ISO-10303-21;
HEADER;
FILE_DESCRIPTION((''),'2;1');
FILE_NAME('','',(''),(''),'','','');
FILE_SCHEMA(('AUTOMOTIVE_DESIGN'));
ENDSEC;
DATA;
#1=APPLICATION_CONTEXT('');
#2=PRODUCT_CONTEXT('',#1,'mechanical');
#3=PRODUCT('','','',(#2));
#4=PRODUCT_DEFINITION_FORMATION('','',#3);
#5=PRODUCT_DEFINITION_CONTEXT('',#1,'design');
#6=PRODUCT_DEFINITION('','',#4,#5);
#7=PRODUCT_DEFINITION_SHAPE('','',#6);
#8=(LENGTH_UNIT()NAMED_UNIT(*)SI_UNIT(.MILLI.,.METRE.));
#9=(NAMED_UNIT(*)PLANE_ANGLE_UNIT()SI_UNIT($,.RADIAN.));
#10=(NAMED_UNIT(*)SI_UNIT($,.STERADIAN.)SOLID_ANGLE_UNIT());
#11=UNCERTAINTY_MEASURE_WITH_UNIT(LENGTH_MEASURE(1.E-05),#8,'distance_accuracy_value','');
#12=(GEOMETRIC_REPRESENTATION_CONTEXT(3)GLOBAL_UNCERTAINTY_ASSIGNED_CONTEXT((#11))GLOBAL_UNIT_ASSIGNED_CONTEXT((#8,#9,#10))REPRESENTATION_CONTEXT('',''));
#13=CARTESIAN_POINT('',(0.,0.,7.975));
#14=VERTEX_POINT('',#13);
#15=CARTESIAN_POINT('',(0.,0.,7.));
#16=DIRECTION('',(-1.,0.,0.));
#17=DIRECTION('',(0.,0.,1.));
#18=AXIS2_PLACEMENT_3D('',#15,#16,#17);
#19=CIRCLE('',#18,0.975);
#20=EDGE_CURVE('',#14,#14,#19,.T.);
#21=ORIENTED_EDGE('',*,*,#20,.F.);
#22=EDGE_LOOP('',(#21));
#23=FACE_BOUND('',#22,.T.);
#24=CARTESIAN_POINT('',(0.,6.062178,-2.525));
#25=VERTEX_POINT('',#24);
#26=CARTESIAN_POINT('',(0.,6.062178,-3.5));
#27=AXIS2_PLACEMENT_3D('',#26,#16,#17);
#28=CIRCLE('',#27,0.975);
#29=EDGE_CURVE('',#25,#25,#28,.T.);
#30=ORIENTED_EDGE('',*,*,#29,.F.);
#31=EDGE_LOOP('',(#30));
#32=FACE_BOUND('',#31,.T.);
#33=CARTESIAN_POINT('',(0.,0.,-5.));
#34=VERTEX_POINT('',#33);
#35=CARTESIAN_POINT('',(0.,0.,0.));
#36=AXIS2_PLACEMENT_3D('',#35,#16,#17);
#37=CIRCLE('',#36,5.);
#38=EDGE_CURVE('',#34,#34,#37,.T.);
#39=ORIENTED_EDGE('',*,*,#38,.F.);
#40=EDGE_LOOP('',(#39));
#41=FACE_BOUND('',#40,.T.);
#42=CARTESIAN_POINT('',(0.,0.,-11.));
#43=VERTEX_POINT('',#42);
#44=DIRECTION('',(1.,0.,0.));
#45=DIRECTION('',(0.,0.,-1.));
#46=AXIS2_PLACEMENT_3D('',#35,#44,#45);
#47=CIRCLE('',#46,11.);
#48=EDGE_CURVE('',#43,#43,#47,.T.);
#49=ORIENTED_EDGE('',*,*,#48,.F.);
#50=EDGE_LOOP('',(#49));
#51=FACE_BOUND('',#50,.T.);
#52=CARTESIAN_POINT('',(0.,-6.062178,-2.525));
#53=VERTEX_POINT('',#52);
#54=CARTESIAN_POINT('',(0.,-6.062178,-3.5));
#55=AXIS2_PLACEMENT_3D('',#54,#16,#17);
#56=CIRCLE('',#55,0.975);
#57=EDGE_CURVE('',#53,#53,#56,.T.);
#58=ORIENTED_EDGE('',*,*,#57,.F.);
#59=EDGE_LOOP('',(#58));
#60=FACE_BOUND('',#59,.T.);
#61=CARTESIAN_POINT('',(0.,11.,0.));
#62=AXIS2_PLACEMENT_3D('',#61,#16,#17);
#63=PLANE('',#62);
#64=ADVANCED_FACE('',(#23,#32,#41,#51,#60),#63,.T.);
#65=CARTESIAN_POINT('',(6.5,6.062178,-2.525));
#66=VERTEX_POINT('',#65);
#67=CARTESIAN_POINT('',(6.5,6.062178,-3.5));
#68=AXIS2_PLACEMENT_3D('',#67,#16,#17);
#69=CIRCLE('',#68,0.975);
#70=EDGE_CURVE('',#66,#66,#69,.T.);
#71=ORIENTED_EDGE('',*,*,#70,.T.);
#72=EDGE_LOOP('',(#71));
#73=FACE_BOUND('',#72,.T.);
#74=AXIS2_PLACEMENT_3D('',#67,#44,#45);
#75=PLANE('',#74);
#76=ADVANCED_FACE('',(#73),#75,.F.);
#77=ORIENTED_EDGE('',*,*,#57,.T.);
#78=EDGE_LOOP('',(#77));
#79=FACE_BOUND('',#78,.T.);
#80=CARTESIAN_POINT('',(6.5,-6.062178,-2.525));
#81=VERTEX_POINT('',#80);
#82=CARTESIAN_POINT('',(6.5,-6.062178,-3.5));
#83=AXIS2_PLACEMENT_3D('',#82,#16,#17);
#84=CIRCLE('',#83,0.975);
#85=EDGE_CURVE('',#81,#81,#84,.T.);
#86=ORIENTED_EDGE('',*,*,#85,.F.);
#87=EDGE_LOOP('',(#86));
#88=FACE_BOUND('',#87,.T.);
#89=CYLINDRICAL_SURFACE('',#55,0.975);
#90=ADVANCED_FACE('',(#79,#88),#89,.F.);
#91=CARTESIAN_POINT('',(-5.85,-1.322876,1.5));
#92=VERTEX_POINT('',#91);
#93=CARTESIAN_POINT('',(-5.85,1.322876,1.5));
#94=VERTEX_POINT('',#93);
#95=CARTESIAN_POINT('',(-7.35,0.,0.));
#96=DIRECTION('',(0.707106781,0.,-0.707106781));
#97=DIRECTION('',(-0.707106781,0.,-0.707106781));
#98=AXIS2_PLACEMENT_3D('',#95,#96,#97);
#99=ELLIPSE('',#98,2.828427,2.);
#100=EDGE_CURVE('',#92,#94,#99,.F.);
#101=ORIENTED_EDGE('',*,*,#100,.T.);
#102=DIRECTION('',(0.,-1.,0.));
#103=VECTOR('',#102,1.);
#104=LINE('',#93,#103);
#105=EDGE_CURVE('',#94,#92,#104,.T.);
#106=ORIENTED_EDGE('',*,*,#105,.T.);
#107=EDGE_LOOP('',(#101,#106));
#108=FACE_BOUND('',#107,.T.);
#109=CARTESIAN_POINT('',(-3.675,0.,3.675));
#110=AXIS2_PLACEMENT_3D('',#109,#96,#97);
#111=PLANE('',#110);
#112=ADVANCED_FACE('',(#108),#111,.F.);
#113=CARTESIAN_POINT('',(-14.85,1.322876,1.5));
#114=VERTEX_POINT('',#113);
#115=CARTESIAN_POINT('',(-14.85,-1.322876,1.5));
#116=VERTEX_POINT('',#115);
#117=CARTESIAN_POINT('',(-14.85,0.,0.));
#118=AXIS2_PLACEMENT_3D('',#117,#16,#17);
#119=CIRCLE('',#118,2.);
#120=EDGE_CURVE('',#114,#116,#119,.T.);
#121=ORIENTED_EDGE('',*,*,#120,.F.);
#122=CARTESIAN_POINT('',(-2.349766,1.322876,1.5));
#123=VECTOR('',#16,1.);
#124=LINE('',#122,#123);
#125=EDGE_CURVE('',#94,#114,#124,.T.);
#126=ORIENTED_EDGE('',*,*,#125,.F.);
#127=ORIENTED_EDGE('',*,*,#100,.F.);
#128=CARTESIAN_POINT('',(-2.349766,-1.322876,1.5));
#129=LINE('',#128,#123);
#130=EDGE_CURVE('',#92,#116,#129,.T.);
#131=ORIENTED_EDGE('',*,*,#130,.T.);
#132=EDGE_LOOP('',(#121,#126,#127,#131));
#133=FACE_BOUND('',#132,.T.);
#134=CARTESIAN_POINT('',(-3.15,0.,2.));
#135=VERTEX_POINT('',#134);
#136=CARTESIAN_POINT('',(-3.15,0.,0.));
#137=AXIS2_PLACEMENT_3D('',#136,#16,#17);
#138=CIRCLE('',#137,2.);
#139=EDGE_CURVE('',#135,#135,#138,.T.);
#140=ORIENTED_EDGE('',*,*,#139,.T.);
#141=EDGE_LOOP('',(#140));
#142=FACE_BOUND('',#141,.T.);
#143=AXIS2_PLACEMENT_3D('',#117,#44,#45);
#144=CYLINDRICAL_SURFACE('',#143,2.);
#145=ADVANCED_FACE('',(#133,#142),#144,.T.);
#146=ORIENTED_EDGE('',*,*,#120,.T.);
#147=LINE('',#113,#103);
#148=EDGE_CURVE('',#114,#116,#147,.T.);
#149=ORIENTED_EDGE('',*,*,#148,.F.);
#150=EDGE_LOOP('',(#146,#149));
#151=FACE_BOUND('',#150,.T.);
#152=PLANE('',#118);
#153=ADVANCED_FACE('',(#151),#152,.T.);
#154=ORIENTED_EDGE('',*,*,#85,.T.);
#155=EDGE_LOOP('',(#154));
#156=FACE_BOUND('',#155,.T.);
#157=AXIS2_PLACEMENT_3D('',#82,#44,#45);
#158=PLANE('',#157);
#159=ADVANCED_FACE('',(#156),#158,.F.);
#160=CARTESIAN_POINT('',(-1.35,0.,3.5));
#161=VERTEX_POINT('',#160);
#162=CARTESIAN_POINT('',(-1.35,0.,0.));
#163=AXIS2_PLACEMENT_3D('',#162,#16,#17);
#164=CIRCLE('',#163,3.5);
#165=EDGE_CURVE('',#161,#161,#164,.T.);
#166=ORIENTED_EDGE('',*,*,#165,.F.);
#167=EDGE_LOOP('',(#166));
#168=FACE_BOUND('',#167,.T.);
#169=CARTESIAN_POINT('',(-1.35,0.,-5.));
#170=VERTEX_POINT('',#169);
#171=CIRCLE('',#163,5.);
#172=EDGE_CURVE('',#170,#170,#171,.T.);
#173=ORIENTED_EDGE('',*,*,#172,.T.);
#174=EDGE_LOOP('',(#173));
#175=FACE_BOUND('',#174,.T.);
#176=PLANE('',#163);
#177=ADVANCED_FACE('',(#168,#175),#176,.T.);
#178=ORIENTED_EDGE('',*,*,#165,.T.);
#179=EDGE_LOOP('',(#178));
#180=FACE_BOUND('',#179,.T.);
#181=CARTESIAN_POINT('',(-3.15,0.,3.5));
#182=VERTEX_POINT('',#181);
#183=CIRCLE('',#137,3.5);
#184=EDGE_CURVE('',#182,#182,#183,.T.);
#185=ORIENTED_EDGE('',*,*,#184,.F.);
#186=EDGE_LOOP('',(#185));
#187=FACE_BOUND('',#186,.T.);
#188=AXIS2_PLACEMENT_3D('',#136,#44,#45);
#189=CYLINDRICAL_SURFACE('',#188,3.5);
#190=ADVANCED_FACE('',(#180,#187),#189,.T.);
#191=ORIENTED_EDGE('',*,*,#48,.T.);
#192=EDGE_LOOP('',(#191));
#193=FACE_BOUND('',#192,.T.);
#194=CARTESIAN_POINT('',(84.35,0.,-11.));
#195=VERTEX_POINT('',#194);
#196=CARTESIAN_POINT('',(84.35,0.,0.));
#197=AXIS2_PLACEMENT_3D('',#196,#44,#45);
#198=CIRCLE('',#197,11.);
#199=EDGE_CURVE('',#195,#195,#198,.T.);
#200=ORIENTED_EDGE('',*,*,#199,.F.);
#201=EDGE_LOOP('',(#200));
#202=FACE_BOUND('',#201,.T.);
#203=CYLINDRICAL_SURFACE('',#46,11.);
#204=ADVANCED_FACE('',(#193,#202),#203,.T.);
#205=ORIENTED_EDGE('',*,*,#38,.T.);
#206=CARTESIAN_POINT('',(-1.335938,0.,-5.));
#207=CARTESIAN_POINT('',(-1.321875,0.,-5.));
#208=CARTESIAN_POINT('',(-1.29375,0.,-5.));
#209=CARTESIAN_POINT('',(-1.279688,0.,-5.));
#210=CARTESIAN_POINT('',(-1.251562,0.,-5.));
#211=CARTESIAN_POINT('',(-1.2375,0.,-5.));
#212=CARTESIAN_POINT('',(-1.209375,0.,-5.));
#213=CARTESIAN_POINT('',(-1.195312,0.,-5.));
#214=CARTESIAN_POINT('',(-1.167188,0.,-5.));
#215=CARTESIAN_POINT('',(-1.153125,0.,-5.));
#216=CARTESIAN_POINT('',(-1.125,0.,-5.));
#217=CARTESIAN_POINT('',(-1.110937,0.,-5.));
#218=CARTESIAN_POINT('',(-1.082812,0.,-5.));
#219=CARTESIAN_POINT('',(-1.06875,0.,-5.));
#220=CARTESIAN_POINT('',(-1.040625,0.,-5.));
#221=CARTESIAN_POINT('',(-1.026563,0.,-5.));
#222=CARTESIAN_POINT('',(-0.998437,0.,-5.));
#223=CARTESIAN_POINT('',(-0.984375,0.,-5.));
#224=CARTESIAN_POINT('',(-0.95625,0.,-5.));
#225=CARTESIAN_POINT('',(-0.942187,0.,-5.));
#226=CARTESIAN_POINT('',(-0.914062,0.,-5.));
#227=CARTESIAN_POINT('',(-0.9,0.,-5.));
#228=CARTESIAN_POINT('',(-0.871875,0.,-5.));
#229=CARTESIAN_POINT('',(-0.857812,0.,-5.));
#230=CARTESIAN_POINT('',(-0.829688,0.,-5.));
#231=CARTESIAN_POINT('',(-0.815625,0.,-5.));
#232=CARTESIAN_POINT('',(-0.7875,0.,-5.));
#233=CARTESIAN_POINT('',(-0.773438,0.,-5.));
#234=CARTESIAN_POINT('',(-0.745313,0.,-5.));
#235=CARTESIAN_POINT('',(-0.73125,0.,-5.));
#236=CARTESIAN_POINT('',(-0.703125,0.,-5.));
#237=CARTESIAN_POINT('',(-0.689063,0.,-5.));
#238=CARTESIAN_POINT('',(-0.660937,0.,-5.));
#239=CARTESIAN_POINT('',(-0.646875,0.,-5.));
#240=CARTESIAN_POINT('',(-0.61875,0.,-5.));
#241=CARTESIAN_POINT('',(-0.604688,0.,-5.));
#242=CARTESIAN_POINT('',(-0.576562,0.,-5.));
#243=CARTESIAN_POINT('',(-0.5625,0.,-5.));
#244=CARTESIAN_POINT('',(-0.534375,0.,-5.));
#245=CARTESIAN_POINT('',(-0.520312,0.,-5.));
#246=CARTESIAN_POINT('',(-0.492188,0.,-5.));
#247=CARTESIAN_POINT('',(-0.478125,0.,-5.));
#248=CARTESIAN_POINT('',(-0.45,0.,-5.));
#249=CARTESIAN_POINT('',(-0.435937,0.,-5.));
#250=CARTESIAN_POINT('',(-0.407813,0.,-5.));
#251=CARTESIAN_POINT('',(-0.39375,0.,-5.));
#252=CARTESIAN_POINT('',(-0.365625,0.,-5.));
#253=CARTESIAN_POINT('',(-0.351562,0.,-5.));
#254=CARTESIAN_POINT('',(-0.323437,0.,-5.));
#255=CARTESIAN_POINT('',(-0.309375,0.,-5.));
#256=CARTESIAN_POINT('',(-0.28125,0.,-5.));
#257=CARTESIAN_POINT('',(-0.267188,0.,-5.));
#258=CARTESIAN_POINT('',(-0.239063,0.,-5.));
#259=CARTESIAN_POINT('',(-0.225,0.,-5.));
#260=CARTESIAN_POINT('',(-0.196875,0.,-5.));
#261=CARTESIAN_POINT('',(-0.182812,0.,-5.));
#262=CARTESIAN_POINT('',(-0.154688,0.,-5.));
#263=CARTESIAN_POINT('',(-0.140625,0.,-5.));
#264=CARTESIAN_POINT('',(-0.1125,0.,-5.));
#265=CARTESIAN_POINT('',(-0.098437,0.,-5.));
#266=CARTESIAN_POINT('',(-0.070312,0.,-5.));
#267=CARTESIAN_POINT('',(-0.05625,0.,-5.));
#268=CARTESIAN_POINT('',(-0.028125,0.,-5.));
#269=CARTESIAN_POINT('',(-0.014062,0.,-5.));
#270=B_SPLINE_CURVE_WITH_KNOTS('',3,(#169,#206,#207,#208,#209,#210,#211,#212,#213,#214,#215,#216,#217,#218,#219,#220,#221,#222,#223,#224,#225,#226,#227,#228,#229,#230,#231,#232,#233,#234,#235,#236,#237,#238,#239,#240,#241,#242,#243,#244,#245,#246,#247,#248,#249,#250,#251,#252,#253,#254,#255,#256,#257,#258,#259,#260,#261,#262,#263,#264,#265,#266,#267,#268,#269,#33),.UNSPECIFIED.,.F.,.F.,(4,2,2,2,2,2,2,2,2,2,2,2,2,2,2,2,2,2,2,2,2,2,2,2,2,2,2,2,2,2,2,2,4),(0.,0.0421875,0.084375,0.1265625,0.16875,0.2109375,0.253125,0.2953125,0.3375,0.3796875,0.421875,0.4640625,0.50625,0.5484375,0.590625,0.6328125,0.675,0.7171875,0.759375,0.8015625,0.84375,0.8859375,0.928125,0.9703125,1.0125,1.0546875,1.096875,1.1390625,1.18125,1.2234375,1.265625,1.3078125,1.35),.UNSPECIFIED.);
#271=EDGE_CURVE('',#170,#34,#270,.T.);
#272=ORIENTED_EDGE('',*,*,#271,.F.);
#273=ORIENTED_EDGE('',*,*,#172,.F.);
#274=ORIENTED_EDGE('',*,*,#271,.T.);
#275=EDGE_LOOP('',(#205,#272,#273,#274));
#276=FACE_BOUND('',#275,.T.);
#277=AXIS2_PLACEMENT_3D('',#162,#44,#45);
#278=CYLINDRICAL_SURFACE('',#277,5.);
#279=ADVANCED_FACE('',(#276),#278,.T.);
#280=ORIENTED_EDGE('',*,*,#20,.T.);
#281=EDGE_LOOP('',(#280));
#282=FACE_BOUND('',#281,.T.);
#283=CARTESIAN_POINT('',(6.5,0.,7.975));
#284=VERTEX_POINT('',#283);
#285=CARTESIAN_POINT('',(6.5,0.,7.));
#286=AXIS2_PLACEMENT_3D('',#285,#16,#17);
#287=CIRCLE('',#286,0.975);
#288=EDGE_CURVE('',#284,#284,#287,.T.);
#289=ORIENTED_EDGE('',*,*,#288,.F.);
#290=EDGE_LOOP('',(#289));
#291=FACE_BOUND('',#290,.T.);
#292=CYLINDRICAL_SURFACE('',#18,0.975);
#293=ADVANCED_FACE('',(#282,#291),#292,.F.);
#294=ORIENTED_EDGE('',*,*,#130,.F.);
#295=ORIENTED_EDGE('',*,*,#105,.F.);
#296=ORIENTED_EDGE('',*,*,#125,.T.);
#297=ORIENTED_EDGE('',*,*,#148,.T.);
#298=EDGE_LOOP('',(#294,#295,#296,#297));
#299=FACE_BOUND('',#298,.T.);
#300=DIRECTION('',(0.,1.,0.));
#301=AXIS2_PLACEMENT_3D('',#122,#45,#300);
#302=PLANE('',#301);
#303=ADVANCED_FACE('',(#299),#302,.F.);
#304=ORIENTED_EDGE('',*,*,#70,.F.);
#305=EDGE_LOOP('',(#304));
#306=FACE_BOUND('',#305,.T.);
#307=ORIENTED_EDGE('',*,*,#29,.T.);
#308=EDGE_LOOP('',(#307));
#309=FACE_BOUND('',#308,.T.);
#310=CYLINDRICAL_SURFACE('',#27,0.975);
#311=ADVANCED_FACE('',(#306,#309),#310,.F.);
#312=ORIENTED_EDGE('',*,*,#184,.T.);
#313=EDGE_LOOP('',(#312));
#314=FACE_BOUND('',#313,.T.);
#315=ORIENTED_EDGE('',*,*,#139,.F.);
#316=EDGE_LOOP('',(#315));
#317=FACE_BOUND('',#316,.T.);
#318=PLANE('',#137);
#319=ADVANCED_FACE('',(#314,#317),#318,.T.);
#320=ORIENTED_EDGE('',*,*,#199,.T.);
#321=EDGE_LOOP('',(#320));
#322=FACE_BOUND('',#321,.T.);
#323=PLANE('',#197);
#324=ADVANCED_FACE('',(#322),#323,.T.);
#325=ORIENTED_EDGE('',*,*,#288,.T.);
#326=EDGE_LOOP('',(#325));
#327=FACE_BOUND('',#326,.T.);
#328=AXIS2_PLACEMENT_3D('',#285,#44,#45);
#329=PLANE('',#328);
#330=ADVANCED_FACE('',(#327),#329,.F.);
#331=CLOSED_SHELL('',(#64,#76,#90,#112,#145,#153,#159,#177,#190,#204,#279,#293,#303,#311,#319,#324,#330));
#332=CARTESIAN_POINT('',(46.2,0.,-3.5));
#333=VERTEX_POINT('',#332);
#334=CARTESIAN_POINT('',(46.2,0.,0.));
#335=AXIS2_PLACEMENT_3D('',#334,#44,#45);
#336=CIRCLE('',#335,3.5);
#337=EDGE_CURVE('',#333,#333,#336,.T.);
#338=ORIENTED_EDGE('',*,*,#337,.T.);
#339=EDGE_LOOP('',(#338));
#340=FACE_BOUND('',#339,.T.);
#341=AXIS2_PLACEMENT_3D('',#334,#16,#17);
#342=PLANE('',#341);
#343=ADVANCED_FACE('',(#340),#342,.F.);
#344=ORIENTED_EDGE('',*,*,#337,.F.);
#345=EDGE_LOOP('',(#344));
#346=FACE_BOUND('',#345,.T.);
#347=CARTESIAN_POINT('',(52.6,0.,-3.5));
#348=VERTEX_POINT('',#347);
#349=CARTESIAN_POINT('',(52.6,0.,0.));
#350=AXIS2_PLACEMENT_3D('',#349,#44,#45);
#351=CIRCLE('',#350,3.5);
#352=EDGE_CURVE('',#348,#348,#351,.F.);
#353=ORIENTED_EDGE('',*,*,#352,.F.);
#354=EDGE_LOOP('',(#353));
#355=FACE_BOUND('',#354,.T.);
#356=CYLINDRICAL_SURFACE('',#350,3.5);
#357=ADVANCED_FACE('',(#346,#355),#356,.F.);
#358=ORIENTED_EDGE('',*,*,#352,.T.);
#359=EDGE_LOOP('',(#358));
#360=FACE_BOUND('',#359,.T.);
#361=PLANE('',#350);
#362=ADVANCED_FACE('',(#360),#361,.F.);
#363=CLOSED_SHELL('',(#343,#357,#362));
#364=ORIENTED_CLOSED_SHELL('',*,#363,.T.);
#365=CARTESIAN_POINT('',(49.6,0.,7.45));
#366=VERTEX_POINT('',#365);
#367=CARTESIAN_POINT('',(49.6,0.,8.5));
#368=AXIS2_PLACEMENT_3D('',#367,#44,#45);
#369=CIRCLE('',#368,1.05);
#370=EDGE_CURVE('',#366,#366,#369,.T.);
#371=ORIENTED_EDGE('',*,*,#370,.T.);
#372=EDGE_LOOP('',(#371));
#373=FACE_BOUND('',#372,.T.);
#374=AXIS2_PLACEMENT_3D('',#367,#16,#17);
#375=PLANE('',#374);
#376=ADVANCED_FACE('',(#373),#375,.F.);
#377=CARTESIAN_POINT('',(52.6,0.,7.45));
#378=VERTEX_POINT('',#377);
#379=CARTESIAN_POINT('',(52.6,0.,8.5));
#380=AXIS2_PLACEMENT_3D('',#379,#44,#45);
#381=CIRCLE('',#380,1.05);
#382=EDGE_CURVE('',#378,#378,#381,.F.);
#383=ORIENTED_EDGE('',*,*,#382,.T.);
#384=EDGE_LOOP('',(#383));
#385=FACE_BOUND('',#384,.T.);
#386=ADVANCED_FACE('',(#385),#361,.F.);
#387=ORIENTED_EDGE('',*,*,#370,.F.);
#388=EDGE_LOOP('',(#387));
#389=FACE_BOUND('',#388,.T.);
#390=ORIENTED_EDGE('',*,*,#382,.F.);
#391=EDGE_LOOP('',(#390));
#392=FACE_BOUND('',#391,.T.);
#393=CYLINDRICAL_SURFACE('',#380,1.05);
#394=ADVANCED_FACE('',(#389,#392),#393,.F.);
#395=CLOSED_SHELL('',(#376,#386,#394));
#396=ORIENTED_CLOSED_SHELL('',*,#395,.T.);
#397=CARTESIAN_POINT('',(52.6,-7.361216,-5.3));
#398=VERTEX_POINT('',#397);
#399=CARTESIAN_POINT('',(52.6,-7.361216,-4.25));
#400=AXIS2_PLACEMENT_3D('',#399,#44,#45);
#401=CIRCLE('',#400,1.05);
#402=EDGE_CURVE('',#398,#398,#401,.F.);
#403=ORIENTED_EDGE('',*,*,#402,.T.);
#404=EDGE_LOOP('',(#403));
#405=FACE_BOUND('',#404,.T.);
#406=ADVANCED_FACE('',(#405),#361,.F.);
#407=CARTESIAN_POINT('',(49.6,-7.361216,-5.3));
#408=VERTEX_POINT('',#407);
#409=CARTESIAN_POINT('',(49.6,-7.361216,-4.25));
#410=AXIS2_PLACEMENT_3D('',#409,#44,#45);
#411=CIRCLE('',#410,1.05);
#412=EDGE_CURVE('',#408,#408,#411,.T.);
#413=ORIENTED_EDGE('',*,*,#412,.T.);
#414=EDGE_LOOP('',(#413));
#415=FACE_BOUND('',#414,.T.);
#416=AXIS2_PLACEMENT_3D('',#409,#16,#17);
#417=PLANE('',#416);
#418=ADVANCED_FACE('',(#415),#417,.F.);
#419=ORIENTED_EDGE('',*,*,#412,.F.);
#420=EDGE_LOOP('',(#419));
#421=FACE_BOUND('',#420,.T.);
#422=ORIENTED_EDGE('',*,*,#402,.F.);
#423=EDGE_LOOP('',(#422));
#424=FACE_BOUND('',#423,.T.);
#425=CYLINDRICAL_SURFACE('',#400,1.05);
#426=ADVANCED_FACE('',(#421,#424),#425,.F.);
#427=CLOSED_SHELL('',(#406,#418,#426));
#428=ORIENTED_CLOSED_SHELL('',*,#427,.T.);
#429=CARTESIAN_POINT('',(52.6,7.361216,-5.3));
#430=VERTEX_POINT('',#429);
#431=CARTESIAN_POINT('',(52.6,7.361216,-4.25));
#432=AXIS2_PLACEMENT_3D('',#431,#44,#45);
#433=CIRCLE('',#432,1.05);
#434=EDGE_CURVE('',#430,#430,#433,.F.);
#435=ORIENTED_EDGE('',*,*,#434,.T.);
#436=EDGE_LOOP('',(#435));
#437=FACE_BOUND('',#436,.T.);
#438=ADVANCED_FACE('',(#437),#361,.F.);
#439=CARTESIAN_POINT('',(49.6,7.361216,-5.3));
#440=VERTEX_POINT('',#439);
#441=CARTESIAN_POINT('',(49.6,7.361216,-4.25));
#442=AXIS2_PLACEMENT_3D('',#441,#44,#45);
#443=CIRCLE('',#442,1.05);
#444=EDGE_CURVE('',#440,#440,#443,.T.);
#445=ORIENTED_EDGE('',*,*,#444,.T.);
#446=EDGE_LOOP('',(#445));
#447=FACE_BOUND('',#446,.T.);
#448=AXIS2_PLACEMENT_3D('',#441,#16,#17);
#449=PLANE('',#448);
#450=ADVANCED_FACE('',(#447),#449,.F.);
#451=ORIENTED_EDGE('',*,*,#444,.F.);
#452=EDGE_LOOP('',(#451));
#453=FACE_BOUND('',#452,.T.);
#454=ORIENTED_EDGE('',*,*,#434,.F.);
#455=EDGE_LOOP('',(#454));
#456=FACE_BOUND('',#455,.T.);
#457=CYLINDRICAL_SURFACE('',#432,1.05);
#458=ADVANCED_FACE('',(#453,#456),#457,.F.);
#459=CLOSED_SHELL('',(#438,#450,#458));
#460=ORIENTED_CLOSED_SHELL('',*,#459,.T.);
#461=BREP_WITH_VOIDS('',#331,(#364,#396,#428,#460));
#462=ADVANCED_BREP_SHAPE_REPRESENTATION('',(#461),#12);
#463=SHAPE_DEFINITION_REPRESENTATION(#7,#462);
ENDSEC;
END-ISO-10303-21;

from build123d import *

# Parameters (mm, degrees)
SKETCH1_W           = 52.6
SKETCH1_H           = 11
SKETCH2_R           = 5
BOSS_EXTRUDE1_DEPTH = 1.35
SKETCH3_R           = 3.5
BOSS_EXTRUDE2_DEPTH = 1.8
SKETCH4_R           = 2
BOSS_EXTRUDE3_DEPTH = 11.7
CUT_EXTRUDE1_REACH  = 71.221
HOLE1_D             = 1.95
HOLE1_DEPTH         = 6.5
HOLE2_D             = 1.95
HOLE2_DEPTH         = 6.5
HOLE3_D             = 1.95
HOLE3_DEPTH         = 6.5
HOLE4_D             = 7
HOLE4_DEPTH         = 6.4
HOLE5_D             = 2.1
HOLE5_DEPTH         = 3
HOLE6_D             = 2.1
HOLE6_DEPTH         = 3
HOLE7_D             = 2.1
HOLE7_DEPTH         = 3
SKETCH25_R          = 11
BOSS_EXTRUDE4_DEPTH = 31.75


with BuildPart() as part:
    # Sketch1 → Revolve1 (revolve)
    with BuildSketch(Plane.XY, mode=Mode.PRIVATE) as revolve1_sk:
        with Locations((26.3, 5.5)):
            Rectangle(SKETCH1_W, SKETCH1_H)
    revolve(revolve1_sk.sketch.rotate(Axis((0, 0, 0), (1, 0, 0)), 270), axis=Axis((0, 0, 0), (1, 0, 0)))

    # Sketch2 → Boss-Extrude1 (add)
    with BuildSketch(Plane.ZY):
        with Locations(Location((0, 0, 0), (0, 0, 180))):
            Circle(SKETCH2_R)
    extrude(amount=BOSS_EXTRUDE1_DEPTH)

    # Sketch3 → Boss-Extrude2 (add)
    with BuildSketch(Plane.ZY.offset(1.35)):
        Circle(SKETCH3_R)
    extrude(amount=BOSS_EXTRUDE2_DEPTH)

    # Sketch4 → Boss-Extrude3 (add)
    with BuildSketch(Plane.ZY.offset(3.15)):
        Circle(SKETCH4_R)
    extrude(amount=BOSS_EXTRUDE3_DEPTH)

    # Cut-Extrude1: up to this plane
    cut_extrude1_end = Plane(origin=(-3.675, 0, 3.675), z_dir=(0.707106781186547, 0, -0.707106781186548))
    # Sketch6 → Cut-Extrude1 (cut, up to the surface)
    with BuildSketch(Plane.ZY.offset(14.85), mode=Mode.PRIVATE) as cut_extrude1_sk1:
        with BuildLine():
            Line((1.5, 1.322875656), (1.5, -1.322875656))
            ThreePointArc((1.5, -1.322875656), (2, 0), (1.5, 1.322875656))
        make_face()
    cut_extrude1_tool1 = split(extrude(cut_extrude1_sk1.sketch, amount=-CUT_EXTRUDE1_REACH, mode=Mode.PRIVATE), bisect_by=cut_extrude1_end, keep=Keep.BOTH, mode=Mode.PRIVATE)
    add(cut_extrude1_tool1.solids().sort_by_distance((-14.85, 0, 1.702311))[0], mode=Mode.SUBTRACT)

    # Hole1
    with Locations(Plane.ZY):
        with Locations((7, 0)):
            Hole(HOLE1_D / 2, depth=HOLE1_DEPTH)

    # Hole2
    with Locations(Plane.ZY):
        with Locations((-3.5, -6.062177826)):
            Hole(HOLE2_D / 2, depth=HOLE2_DEPTH)

    # Hole3
    with Locations(Plane.ZY):
        with Locations((-3.5, 6.062177826)):
            Hole(HOLE3_D / 2, depth=HOLE3_DEPTH)

    # Hole4
    with Locations(Plane(origin=(52.6, 0, 0), x_dir=(0, 0, -1), z_dir=(1, 0, 0))):
        with Locations((0, 0)):
            Hole(HOLE4_D / 2, depth=HOLE4_DEPTH)

    # Hole5
    with Locations(Plane(origin=(52.6, 0, 0), x_dir=(0, 0, -1), z_dir=(1, 0, 0))):
        with Locations((-8.5, 0)):
            Hole(HOLE5_D / 2, depth=HOLE5_DEPTH)

    # Hole6
    with Locations(Plane(origin=(52.6, 0, 0), x_dir=(0, 0, -1), z_dir=(1, 0, 0))):
        with Locations((4.25, -7.361215932)):
            Hole(HOLE6_D / 2, depth=HOLE6_DEPTH)

    # Hole7
    with Locations(Plane(origin=(52.6, 0, 0), x_dir=(0, 0, -1), z_dir=(1, 0, 0))):
        with Locations((4.25, 7.361215932)):
            Hole(HOLE7_D / 2, depth=HOLE7_DEPTH)

    # Sketch25 → Boss-Extrude4 (add)
    with BuildSketch(Plane(origin=(52.6, 0, 0), x_dir=(0, 0, -1), z_dir=(1, 0, 0))):
        Circle(SKETCH25_R)
    extrude(amount=BOSS_EXTRUDE4_DEPTH)


solid = part.part
